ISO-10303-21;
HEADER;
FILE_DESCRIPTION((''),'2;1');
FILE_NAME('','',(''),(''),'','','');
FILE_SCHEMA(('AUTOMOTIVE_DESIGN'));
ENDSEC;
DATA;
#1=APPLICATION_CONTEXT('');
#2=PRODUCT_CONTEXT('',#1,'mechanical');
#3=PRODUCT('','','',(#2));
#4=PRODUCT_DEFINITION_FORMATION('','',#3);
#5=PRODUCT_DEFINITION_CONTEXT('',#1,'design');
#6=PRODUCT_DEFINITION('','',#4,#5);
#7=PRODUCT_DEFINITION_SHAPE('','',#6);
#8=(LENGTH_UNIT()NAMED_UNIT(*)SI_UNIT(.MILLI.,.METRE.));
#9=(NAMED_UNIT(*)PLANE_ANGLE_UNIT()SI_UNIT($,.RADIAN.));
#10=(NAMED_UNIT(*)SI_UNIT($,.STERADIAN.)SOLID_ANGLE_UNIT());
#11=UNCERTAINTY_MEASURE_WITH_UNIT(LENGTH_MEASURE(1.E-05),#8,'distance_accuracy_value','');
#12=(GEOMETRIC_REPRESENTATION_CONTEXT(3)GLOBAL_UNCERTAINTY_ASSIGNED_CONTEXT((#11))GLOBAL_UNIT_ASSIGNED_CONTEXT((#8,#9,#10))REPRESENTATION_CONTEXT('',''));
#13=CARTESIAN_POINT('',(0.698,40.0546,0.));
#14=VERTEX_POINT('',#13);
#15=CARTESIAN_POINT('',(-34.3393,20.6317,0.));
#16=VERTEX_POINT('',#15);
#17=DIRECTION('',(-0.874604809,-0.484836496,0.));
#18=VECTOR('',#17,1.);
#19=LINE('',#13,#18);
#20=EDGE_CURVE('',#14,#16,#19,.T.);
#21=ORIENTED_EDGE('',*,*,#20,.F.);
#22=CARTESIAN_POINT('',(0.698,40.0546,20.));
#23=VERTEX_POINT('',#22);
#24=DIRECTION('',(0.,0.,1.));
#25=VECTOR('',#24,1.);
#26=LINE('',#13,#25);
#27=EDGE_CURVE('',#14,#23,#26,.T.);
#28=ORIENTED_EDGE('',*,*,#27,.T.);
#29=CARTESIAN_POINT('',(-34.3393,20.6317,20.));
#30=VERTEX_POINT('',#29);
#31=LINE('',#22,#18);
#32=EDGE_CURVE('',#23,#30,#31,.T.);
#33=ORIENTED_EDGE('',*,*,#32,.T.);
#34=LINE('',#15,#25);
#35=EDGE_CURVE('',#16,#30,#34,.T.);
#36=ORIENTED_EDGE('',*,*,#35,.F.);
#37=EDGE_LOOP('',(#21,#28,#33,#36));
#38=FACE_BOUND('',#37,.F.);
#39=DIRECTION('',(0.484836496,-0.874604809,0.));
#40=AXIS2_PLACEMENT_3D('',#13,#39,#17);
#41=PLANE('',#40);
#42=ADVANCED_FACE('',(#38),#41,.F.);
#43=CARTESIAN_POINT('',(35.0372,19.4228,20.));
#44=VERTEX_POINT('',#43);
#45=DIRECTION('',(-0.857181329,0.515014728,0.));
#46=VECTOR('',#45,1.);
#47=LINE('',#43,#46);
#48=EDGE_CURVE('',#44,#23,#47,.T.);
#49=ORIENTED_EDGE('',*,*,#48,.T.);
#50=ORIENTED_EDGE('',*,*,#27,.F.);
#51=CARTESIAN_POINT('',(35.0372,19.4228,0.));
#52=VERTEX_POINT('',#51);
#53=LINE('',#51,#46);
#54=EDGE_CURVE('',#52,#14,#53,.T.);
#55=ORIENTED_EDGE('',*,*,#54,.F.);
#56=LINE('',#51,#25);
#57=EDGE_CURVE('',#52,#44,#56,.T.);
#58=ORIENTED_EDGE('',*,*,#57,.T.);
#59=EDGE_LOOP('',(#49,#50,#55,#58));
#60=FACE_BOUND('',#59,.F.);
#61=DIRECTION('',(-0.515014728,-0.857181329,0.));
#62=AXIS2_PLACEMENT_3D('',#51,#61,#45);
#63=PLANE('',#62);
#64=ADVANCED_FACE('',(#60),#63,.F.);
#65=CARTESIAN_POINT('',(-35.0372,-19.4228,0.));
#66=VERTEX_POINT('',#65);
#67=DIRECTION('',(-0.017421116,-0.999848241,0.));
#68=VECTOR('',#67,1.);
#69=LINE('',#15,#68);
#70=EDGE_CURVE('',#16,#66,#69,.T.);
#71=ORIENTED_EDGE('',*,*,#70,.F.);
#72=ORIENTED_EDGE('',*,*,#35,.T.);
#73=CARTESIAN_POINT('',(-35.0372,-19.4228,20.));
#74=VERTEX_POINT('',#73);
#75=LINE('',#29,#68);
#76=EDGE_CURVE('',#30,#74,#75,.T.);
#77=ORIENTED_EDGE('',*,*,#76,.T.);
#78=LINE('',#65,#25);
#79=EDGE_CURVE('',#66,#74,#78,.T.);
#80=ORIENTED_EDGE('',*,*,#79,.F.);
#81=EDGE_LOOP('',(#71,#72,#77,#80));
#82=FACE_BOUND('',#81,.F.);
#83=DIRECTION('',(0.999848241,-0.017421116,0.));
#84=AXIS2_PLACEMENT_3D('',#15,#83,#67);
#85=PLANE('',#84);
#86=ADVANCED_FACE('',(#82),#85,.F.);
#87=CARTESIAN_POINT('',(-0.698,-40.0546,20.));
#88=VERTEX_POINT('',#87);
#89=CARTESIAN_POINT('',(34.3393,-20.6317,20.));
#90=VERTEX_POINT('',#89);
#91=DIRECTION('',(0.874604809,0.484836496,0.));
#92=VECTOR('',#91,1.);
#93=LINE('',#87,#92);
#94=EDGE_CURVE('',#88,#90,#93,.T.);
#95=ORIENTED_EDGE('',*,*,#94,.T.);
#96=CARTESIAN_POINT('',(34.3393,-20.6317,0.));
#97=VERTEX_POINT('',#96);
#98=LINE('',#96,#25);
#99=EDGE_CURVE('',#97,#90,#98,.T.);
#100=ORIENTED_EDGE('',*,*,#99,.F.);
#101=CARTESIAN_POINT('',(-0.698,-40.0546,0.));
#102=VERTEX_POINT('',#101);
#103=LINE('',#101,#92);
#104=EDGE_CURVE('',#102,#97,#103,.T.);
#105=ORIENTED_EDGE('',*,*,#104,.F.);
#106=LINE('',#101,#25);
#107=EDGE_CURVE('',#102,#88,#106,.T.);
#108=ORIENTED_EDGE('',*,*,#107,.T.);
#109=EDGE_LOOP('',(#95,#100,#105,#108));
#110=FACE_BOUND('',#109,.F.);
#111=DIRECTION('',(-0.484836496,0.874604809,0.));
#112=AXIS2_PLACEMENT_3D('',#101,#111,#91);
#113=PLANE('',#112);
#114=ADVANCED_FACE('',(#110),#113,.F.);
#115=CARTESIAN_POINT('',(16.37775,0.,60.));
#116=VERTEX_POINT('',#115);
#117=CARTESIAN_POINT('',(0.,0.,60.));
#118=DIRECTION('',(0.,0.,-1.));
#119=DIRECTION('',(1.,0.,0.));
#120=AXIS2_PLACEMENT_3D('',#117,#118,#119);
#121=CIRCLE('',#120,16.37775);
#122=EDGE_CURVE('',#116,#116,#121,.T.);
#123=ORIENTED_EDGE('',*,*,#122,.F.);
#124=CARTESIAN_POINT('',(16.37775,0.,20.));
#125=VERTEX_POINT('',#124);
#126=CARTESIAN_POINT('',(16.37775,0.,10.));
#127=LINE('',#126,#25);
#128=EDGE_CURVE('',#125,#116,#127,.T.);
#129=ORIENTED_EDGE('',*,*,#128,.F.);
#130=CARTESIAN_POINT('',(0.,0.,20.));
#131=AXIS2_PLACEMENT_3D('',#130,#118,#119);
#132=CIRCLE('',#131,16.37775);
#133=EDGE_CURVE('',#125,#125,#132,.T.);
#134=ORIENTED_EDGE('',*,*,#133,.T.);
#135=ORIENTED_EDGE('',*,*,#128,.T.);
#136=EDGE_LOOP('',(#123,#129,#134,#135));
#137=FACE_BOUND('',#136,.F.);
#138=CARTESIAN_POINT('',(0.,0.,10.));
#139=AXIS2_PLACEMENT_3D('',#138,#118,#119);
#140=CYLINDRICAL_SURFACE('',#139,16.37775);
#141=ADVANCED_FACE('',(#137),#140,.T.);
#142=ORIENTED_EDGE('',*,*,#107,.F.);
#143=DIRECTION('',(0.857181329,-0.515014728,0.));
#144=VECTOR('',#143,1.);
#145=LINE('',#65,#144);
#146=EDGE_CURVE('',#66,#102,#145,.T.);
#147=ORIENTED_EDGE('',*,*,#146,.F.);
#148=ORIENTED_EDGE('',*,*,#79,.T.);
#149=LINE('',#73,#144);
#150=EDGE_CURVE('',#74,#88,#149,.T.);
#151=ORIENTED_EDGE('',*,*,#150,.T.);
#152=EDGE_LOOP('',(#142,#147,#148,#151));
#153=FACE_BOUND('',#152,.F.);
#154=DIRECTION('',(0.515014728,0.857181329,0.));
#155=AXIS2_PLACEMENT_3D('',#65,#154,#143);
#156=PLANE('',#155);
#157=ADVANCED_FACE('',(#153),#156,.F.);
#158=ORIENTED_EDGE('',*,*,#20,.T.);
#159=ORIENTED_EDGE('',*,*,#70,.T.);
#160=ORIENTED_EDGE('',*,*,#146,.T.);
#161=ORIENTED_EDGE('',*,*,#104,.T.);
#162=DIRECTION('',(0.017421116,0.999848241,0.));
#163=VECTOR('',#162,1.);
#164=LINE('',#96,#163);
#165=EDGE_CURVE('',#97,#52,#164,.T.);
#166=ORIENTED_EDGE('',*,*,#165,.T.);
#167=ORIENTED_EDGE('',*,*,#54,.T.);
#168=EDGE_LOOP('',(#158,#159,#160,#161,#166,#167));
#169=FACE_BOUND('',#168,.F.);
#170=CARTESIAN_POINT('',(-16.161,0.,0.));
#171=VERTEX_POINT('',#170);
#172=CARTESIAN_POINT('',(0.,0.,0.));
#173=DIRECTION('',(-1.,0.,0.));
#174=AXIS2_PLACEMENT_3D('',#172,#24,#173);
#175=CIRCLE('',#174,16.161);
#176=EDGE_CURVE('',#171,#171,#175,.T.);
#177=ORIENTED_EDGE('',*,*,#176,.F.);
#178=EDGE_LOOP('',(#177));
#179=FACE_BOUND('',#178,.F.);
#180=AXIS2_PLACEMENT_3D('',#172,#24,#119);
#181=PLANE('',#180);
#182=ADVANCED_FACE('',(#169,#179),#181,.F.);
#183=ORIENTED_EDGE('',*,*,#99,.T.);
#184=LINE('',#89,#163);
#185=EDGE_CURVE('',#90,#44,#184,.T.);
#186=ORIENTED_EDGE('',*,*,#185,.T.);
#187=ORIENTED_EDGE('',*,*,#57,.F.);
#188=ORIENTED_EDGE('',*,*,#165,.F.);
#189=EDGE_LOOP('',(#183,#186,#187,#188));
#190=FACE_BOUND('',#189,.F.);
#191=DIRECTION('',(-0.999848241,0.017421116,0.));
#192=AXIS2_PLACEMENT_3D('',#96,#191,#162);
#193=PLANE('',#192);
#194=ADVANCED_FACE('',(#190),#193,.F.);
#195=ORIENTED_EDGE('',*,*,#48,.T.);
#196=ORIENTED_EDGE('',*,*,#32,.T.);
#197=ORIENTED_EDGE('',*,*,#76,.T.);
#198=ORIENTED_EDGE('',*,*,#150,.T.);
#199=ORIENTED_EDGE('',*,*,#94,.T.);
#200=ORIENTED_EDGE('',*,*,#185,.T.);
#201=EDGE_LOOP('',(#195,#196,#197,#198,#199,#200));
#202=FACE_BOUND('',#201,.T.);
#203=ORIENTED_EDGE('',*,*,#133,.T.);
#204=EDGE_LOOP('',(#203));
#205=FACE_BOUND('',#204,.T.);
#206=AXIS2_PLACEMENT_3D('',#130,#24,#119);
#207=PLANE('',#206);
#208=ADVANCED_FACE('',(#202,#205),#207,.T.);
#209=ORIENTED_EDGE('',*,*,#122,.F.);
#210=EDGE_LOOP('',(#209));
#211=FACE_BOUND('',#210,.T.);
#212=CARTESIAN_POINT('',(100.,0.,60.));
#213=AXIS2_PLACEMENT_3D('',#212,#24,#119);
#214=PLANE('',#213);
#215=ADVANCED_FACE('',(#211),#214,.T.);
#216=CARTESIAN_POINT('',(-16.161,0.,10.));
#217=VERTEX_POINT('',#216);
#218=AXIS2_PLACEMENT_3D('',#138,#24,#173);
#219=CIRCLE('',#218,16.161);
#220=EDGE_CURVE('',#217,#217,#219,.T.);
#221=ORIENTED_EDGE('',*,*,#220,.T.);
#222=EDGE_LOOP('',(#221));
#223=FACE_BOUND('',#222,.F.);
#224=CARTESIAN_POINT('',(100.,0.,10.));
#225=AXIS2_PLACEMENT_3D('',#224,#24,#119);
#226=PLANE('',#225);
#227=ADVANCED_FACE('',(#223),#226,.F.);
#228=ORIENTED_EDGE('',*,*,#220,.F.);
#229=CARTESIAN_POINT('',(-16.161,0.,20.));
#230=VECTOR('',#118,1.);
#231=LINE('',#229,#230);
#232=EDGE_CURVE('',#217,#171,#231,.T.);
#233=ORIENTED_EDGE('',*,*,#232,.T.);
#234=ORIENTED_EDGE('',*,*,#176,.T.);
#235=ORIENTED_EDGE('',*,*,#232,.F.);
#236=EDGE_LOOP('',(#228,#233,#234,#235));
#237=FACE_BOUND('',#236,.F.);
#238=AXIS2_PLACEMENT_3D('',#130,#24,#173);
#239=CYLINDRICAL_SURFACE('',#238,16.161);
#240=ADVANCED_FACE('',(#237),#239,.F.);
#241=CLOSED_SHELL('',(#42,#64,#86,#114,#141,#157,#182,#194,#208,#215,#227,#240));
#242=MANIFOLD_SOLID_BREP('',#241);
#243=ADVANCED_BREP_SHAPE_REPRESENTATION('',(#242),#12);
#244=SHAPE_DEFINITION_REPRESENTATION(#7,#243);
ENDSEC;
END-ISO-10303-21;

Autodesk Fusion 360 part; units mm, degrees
sketch "Sketch1" plane through (0, 0, 0) normal (0, 0, 1) x (1, 0, 0)
  line L0 (-34.3393, 20.6317) -> (-35.0372, -19.4228)
  line L1 (-35.0372, -19.4228) -> (-0.698, -40.0546)
  line L2 (-0.698, -40.0546) -> (34.3393, -20.6317)
  line L3 (34.3393, -20.6317) -> (35.0372, 19.4228)
  line L4 (35.0372, 19.4228) -> (0.698, 40.0546)
  line L5 (0.698, 40.0546) -> (-34.3393, 20.6317)
extrude "Extrude1" add sketch "Sketch1" along normal blind 20 makes body 1
sketch "Sketch2" plane through (0, 0, 20) normal (0, 0, 1) x (-1, 0, 0)
  line L0 (-0.698, -40.0546) -> (34.3393, -20.6317)
  line L1 (34.3393, -20.6317) -> (35.0372, 19.4228)
  line L2 (35.0372, 19.4228) -> (0.698, 40.0546)
  line L3 (0.698, 40.0546) -> (-34.3393, 20.6317)
  line L4 (-34.3393, 20.6317) -> (-35.0372, -19.4228)
  line L5 (-35.0372, -19.4228) -> (-0.698, -40.0546)
  circle A0 centre (0, 0) radius 16.161
extrude "Extrude2" cut sketch "Sketch2" against normal blind 60 contours A0 bodies 1
sketch "Sketch3" plane through (0, 0, 0) normal (0, 0, 1) x (1, 0, 0)
  circle A0 centre (-100, 0) radius 16.6427
extrude "Extrude3" add sketch "Sketch3" along normal blind 50 separate body makes body 2
thread "Thread1" "ISO Metric profile 33.0 M33x3.5 6g" major diameter 32.7555 minor diameter 28.7529 pitch 3.5 angle 60 resizes the face on face at (-83.44, -1.6571, 16.6667) on bodies 2
move_body "Move1" bodies 2 to x (1, 0, 0) y (0, 1, 0) z (0, 0, 1) at (100, 0, 10)
combine "Combine1" operation add target body 1 tool bodies 2
thread "Thread2" "ISO Metric profile 33.0 M33x3.5 6g" major diameter 32.7555 minor diameter 28.7529 pitch 3.5 angle 60 resizes the face on face at (16.3574, 0.8164, 33.3333) on bodies 1
